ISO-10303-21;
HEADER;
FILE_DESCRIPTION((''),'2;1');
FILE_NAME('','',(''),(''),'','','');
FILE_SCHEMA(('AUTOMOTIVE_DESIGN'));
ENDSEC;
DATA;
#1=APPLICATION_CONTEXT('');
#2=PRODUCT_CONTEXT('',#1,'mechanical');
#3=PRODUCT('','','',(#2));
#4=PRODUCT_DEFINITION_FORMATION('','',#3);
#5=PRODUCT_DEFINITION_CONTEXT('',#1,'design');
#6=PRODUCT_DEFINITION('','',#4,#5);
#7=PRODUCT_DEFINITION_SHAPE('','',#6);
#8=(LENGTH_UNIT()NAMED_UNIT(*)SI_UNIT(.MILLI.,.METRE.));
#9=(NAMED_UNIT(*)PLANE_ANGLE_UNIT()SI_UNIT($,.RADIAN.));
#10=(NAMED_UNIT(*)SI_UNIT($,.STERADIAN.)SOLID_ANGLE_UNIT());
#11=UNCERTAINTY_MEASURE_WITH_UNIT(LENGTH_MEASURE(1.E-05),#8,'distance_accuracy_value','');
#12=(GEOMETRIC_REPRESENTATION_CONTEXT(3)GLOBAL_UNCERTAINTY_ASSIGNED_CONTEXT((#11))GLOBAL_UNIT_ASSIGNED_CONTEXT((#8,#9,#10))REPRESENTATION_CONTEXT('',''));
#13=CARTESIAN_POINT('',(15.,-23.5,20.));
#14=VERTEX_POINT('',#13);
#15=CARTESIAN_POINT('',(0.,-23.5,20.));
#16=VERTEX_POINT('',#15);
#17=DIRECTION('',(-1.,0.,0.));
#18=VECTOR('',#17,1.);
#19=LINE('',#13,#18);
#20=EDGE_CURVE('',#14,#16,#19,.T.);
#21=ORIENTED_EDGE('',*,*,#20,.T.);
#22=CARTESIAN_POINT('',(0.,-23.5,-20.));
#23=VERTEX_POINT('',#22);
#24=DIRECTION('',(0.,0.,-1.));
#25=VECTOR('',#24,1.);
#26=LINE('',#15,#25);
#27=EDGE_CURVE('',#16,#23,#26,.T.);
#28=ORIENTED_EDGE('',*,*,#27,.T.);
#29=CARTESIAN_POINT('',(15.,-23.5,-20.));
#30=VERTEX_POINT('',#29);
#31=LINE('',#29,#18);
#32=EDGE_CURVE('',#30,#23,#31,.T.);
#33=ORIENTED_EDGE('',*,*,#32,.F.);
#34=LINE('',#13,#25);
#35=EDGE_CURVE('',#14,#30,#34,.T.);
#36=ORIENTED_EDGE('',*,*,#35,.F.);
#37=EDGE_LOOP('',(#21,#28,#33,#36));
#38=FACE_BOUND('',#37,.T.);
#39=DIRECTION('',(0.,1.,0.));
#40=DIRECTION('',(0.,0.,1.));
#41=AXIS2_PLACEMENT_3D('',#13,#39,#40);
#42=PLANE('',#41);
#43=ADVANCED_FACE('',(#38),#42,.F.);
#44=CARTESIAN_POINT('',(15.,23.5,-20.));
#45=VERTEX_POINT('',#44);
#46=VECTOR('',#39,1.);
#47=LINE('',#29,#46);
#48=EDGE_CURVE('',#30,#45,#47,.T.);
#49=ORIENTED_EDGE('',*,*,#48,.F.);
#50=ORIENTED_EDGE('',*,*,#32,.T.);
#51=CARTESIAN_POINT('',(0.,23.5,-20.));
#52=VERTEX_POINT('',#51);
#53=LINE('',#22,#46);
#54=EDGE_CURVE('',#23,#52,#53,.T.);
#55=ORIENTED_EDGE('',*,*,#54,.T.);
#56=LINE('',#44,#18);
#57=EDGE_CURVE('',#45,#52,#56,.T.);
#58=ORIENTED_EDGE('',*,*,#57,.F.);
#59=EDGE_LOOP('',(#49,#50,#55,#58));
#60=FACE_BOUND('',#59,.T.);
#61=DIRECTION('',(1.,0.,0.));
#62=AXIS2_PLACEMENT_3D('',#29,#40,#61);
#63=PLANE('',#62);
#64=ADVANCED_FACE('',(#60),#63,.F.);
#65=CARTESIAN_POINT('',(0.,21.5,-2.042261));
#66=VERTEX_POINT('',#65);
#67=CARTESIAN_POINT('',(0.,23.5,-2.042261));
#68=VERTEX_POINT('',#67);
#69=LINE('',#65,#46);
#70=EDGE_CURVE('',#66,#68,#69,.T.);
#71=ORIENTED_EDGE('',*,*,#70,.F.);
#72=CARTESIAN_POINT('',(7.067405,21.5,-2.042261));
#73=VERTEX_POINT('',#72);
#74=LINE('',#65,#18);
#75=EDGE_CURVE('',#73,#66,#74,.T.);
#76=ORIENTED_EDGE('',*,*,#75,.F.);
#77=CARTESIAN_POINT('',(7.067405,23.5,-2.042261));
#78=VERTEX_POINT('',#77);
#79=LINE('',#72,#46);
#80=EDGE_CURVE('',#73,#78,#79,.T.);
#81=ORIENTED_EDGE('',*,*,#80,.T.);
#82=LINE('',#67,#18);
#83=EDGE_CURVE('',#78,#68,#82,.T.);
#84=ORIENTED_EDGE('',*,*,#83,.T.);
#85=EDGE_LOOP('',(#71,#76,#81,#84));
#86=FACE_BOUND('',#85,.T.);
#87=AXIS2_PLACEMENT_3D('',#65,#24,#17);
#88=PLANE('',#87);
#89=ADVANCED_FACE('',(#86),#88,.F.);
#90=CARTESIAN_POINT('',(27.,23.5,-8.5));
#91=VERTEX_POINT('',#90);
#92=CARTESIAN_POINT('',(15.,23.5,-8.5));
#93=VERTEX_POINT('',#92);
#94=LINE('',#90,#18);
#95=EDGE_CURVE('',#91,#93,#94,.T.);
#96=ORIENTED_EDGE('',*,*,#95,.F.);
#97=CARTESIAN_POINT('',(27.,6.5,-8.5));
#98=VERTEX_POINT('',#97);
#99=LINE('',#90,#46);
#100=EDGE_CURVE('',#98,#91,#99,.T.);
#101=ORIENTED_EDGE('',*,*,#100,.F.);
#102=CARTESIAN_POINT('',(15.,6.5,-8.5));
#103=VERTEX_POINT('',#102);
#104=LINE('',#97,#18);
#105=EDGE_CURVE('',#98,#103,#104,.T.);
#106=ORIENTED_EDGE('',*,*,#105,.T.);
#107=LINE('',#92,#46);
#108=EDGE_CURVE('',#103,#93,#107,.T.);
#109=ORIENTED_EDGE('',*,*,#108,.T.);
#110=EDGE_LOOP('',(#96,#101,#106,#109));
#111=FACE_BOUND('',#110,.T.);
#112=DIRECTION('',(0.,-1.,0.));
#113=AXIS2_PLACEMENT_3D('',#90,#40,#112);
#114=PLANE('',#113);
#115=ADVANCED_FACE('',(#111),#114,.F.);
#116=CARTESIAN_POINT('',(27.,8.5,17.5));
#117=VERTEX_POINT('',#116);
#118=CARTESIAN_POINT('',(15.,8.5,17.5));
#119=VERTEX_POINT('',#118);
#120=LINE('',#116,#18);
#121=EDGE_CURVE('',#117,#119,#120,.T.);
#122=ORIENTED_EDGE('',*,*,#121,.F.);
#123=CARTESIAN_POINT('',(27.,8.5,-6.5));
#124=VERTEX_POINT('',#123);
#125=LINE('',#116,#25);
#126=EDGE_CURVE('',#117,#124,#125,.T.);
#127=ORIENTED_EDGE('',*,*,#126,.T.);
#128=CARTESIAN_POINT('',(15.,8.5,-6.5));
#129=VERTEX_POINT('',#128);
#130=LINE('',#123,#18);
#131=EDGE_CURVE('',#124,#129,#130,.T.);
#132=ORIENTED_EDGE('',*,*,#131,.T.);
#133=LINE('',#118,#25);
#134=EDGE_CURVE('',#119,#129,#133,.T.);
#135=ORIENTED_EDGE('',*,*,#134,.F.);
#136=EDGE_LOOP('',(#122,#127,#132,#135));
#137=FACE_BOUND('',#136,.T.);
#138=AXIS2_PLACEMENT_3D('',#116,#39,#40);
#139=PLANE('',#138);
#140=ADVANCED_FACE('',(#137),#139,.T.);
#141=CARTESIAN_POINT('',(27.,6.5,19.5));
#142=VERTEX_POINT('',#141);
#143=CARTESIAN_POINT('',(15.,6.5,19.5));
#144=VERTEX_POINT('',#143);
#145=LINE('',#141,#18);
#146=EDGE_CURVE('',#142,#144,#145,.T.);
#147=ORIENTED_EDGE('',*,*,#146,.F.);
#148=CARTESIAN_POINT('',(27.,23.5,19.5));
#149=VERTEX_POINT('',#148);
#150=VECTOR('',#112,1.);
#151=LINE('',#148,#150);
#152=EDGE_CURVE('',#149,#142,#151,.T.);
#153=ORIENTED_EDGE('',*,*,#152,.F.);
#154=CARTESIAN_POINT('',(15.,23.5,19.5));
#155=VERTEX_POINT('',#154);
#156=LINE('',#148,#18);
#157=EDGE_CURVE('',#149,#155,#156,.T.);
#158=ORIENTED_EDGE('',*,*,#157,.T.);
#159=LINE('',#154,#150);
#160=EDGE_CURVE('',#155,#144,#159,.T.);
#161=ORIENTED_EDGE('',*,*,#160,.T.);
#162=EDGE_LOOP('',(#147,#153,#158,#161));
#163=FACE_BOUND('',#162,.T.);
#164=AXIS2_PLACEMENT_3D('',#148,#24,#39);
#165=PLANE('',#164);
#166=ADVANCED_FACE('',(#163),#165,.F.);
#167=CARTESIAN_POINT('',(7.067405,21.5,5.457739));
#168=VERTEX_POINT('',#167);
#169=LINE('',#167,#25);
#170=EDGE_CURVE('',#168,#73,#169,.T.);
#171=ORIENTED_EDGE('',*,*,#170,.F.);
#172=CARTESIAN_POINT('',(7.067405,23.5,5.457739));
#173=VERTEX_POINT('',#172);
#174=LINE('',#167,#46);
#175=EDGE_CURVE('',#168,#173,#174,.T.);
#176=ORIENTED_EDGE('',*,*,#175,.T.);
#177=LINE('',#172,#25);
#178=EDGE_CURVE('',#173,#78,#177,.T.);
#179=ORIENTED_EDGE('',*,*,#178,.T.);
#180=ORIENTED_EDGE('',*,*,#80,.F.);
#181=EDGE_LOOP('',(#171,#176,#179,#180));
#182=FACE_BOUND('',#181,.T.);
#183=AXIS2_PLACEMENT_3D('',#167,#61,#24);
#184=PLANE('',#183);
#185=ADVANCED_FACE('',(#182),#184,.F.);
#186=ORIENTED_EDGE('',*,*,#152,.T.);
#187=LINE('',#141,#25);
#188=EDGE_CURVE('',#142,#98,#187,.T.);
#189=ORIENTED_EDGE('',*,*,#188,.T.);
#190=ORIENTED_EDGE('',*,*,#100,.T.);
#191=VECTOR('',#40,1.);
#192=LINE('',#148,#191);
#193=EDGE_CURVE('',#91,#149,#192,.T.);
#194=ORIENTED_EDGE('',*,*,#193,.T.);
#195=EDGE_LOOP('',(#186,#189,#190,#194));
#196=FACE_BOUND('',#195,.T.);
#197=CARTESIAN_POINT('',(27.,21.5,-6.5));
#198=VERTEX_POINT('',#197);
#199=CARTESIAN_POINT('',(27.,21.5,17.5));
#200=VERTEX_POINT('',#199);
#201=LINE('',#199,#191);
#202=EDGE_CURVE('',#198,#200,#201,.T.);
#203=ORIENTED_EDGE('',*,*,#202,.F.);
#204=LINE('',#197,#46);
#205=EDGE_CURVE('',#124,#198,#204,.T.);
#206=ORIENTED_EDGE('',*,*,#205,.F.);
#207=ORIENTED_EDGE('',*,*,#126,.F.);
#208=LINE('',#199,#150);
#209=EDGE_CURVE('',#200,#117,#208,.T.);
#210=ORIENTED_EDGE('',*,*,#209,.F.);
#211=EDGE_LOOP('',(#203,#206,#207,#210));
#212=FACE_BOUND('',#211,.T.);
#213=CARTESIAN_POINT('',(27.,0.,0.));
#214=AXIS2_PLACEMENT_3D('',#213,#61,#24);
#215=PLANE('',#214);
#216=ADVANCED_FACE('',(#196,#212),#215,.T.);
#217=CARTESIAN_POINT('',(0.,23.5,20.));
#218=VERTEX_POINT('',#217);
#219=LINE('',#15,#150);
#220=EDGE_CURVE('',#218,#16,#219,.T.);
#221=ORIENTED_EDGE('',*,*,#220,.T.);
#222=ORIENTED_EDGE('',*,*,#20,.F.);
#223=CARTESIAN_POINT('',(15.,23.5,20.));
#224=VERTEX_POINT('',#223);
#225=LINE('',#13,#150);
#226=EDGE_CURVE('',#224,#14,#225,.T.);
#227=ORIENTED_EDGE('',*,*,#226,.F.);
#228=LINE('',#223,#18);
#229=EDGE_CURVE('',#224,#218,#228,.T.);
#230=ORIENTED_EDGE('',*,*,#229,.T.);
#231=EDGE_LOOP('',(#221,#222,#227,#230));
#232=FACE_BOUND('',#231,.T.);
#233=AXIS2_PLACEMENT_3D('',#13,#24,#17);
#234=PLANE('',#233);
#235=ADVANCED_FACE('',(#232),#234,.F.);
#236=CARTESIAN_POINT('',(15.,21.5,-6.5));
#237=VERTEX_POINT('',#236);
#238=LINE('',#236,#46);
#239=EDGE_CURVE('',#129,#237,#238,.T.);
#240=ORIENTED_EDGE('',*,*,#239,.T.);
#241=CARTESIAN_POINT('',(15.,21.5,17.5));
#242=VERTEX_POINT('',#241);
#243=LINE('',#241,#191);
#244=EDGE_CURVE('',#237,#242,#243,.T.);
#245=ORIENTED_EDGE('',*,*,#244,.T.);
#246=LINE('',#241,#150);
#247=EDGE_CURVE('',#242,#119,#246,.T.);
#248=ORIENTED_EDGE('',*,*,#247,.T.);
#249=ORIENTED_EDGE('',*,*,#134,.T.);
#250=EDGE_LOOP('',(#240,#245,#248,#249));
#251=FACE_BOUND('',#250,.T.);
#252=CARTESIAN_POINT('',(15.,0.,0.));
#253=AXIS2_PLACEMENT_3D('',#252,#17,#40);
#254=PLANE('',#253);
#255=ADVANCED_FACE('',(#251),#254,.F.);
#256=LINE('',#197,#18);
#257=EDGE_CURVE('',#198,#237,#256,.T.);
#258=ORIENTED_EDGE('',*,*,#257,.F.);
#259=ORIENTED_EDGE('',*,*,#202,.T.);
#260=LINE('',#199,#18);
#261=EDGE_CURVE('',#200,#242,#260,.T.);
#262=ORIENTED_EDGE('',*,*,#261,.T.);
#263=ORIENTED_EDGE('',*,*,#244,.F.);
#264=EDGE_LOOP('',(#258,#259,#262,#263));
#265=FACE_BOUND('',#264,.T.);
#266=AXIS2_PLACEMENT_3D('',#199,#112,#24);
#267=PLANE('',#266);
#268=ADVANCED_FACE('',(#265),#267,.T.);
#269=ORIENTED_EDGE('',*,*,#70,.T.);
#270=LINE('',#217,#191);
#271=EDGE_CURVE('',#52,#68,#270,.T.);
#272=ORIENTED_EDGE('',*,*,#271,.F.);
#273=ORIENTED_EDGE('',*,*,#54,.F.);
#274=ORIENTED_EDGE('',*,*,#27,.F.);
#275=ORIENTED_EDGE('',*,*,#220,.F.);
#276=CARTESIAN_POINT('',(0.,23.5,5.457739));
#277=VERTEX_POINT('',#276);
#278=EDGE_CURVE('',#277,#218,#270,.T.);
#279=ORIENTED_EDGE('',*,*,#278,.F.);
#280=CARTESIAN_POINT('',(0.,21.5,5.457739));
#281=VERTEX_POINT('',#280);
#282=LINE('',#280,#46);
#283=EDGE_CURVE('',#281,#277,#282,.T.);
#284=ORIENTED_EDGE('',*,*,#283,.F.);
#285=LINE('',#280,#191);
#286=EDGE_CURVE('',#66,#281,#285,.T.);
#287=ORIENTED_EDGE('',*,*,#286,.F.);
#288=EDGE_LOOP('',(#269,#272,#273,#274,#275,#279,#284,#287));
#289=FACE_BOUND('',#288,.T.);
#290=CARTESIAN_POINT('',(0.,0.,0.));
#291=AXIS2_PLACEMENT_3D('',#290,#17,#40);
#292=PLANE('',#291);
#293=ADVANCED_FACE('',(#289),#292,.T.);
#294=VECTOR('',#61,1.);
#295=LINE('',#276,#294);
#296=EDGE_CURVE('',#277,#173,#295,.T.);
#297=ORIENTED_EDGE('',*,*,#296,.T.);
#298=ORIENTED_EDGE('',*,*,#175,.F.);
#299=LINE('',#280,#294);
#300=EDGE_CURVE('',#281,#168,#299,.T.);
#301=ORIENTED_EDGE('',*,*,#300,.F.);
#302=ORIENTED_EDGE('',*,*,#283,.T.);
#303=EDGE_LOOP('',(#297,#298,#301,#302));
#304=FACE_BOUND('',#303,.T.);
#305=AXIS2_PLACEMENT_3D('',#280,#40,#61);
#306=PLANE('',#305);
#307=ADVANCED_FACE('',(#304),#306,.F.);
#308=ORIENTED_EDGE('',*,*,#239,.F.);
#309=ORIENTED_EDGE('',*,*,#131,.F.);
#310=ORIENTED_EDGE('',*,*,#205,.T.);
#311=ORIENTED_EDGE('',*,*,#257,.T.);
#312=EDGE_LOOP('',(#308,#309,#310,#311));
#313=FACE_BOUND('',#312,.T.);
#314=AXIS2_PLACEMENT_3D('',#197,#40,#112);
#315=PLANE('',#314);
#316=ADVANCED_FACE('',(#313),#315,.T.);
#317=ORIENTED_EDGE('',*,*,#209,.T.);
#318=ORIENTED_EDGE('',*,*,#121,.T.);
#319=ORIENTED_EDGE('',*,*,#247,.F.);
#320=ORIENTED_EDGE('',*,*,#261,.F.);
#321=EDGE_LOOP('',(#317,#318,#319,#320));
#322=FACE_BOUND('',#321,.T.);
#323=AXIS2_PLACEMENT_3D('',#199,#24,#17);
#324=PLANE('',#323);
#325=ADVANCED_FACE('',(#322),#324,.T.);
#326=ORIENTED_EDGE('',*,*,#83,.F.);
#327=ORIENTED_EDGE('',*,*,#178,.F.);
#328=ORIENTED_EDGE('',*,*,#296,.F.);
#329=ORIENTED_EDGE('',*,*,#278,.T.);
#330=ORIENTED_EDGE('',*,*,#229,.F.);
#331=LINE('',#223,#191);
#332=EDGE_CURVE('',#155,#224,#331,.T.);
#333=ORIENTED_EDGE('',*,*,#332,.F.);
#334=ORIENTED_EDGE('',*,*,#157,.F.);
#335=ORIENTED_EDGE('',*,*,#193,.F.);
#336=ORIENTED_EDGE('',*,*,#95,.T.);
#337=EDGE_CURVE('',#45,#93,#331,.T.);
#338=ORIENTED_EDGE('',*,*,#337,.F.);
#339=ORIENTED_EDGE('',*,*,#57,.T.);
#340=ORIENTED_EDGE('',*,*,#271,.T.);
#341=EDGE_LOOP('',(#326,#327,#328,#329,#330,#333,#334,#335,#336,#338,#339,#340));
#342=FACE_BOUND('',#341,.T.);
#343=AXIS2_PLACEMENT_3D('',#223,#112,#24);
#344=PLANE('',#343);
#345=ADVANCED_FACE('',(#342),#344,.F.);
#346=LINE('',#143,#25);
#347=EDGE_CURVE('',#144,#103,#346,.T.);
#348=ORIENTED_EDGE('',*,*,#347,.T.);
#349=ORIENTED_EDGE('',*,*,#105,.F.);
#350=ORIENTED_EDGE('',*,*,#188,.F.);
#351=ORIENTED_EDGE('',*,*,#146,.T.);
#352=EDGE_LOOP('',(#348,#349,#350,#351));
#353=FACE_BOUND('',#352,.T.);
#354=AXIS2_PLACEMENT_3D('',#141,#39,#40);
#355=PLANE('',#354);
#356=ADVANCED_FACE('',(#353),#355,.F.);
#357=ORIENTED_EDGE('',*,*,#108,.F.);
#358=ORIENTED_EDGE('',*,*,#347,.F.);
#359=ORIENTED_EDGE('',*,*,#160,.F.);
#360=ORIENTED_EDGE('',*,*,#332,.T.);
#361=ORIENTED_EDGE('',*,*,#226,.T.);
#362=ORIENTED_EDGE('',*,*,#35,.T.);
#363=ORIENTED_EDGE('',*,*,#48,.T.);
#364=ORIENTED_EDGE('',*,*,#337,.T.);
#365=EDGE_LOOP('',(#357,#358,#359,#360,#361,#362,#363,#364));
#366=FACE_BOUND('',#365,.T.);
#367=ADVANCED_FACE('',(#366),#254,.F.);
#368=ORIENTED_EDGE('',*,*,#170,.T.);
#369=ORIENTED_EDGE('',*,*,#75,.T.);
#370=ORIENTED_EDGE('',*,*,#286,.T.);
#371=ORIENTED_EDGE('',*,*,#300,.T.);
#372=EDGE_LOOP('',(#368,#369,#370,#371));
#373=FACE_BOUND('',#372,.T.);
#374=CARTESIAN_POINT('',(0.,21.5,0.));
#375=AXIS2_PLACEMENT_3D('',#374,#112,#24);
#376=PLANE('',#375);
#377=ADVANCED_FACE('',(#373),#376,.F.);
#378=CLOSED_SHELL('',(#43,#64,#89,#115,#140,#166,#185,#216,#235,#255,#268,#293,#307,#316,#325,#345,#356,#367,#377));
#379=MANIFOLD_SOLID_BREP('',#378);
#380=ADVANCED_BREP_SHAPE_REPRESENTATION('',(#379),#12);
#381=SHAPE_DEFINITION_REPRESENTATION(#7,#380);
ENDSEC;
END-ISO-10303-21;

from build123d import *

# Parameters (mm, degrees)
SKETCH1_W           = 40
SKETCH1_H           = 47
BOSS_EXTRUDE1_DEPTH = 15
SKETCH2_W           = 28
SKETCH2_H           = 17
SKETCH2_W_2         = 24
SKETCH2_H_2         = 13
BOSS_EXTRUDE2_DEPTH = 12
SKETCH4_W           = 7.067405003
SKETCH4_H           = 7.5
CUT_EXTRUDE1_DEPTH  = 2


with BuildPart() as part:
    # Sketch1 → Boss-Extrude1 (new body)
    with BuildSketch(Plane(origin=(0, 0, 0), x_dir=(0, 0, -1), z_dir=(1, 0, 0))):
        Rectangle(SKETCH1_W, SKETCH1_H)
    extrude(amount=BOSS_EXTRUDE1_DEPTH)

    # Sketch2 → Boss-Extrude2 (add)
    with BuildSketch(Plane(origin=(15, 0, 0), x_dir=(0, 0, -1), z_dir=(1, 0, 0))):
        with Locations((-5.5, 15)):
            Rectangle(SKETCH2_W, SKETCH2_H)
        with Locations((-5.5, 15)):
            Rectangle(SKETCH2_W_2, SKETCH2_H_2, mode=Mode.SUBTRACT)
    extrude(amount=BOSS_EXTRUDE2_DEPTH)

    # Sketch4 → Cut-Extrude1 (cut)
    with BuildSketch(Plane(origin=(0, 23.5, 0), x_dir=(1, 0, 0), z_dir=(0, 1, 0))):
        with Locations((3.533702502, -1.707739217)):
            Rectangle(SKETCH4_W, SKETCH4_H)
    extrude(amount=-CUT_EXTRUDE1_DEPTH, mode=Mode.SUBTRACT)


solid = part.part
